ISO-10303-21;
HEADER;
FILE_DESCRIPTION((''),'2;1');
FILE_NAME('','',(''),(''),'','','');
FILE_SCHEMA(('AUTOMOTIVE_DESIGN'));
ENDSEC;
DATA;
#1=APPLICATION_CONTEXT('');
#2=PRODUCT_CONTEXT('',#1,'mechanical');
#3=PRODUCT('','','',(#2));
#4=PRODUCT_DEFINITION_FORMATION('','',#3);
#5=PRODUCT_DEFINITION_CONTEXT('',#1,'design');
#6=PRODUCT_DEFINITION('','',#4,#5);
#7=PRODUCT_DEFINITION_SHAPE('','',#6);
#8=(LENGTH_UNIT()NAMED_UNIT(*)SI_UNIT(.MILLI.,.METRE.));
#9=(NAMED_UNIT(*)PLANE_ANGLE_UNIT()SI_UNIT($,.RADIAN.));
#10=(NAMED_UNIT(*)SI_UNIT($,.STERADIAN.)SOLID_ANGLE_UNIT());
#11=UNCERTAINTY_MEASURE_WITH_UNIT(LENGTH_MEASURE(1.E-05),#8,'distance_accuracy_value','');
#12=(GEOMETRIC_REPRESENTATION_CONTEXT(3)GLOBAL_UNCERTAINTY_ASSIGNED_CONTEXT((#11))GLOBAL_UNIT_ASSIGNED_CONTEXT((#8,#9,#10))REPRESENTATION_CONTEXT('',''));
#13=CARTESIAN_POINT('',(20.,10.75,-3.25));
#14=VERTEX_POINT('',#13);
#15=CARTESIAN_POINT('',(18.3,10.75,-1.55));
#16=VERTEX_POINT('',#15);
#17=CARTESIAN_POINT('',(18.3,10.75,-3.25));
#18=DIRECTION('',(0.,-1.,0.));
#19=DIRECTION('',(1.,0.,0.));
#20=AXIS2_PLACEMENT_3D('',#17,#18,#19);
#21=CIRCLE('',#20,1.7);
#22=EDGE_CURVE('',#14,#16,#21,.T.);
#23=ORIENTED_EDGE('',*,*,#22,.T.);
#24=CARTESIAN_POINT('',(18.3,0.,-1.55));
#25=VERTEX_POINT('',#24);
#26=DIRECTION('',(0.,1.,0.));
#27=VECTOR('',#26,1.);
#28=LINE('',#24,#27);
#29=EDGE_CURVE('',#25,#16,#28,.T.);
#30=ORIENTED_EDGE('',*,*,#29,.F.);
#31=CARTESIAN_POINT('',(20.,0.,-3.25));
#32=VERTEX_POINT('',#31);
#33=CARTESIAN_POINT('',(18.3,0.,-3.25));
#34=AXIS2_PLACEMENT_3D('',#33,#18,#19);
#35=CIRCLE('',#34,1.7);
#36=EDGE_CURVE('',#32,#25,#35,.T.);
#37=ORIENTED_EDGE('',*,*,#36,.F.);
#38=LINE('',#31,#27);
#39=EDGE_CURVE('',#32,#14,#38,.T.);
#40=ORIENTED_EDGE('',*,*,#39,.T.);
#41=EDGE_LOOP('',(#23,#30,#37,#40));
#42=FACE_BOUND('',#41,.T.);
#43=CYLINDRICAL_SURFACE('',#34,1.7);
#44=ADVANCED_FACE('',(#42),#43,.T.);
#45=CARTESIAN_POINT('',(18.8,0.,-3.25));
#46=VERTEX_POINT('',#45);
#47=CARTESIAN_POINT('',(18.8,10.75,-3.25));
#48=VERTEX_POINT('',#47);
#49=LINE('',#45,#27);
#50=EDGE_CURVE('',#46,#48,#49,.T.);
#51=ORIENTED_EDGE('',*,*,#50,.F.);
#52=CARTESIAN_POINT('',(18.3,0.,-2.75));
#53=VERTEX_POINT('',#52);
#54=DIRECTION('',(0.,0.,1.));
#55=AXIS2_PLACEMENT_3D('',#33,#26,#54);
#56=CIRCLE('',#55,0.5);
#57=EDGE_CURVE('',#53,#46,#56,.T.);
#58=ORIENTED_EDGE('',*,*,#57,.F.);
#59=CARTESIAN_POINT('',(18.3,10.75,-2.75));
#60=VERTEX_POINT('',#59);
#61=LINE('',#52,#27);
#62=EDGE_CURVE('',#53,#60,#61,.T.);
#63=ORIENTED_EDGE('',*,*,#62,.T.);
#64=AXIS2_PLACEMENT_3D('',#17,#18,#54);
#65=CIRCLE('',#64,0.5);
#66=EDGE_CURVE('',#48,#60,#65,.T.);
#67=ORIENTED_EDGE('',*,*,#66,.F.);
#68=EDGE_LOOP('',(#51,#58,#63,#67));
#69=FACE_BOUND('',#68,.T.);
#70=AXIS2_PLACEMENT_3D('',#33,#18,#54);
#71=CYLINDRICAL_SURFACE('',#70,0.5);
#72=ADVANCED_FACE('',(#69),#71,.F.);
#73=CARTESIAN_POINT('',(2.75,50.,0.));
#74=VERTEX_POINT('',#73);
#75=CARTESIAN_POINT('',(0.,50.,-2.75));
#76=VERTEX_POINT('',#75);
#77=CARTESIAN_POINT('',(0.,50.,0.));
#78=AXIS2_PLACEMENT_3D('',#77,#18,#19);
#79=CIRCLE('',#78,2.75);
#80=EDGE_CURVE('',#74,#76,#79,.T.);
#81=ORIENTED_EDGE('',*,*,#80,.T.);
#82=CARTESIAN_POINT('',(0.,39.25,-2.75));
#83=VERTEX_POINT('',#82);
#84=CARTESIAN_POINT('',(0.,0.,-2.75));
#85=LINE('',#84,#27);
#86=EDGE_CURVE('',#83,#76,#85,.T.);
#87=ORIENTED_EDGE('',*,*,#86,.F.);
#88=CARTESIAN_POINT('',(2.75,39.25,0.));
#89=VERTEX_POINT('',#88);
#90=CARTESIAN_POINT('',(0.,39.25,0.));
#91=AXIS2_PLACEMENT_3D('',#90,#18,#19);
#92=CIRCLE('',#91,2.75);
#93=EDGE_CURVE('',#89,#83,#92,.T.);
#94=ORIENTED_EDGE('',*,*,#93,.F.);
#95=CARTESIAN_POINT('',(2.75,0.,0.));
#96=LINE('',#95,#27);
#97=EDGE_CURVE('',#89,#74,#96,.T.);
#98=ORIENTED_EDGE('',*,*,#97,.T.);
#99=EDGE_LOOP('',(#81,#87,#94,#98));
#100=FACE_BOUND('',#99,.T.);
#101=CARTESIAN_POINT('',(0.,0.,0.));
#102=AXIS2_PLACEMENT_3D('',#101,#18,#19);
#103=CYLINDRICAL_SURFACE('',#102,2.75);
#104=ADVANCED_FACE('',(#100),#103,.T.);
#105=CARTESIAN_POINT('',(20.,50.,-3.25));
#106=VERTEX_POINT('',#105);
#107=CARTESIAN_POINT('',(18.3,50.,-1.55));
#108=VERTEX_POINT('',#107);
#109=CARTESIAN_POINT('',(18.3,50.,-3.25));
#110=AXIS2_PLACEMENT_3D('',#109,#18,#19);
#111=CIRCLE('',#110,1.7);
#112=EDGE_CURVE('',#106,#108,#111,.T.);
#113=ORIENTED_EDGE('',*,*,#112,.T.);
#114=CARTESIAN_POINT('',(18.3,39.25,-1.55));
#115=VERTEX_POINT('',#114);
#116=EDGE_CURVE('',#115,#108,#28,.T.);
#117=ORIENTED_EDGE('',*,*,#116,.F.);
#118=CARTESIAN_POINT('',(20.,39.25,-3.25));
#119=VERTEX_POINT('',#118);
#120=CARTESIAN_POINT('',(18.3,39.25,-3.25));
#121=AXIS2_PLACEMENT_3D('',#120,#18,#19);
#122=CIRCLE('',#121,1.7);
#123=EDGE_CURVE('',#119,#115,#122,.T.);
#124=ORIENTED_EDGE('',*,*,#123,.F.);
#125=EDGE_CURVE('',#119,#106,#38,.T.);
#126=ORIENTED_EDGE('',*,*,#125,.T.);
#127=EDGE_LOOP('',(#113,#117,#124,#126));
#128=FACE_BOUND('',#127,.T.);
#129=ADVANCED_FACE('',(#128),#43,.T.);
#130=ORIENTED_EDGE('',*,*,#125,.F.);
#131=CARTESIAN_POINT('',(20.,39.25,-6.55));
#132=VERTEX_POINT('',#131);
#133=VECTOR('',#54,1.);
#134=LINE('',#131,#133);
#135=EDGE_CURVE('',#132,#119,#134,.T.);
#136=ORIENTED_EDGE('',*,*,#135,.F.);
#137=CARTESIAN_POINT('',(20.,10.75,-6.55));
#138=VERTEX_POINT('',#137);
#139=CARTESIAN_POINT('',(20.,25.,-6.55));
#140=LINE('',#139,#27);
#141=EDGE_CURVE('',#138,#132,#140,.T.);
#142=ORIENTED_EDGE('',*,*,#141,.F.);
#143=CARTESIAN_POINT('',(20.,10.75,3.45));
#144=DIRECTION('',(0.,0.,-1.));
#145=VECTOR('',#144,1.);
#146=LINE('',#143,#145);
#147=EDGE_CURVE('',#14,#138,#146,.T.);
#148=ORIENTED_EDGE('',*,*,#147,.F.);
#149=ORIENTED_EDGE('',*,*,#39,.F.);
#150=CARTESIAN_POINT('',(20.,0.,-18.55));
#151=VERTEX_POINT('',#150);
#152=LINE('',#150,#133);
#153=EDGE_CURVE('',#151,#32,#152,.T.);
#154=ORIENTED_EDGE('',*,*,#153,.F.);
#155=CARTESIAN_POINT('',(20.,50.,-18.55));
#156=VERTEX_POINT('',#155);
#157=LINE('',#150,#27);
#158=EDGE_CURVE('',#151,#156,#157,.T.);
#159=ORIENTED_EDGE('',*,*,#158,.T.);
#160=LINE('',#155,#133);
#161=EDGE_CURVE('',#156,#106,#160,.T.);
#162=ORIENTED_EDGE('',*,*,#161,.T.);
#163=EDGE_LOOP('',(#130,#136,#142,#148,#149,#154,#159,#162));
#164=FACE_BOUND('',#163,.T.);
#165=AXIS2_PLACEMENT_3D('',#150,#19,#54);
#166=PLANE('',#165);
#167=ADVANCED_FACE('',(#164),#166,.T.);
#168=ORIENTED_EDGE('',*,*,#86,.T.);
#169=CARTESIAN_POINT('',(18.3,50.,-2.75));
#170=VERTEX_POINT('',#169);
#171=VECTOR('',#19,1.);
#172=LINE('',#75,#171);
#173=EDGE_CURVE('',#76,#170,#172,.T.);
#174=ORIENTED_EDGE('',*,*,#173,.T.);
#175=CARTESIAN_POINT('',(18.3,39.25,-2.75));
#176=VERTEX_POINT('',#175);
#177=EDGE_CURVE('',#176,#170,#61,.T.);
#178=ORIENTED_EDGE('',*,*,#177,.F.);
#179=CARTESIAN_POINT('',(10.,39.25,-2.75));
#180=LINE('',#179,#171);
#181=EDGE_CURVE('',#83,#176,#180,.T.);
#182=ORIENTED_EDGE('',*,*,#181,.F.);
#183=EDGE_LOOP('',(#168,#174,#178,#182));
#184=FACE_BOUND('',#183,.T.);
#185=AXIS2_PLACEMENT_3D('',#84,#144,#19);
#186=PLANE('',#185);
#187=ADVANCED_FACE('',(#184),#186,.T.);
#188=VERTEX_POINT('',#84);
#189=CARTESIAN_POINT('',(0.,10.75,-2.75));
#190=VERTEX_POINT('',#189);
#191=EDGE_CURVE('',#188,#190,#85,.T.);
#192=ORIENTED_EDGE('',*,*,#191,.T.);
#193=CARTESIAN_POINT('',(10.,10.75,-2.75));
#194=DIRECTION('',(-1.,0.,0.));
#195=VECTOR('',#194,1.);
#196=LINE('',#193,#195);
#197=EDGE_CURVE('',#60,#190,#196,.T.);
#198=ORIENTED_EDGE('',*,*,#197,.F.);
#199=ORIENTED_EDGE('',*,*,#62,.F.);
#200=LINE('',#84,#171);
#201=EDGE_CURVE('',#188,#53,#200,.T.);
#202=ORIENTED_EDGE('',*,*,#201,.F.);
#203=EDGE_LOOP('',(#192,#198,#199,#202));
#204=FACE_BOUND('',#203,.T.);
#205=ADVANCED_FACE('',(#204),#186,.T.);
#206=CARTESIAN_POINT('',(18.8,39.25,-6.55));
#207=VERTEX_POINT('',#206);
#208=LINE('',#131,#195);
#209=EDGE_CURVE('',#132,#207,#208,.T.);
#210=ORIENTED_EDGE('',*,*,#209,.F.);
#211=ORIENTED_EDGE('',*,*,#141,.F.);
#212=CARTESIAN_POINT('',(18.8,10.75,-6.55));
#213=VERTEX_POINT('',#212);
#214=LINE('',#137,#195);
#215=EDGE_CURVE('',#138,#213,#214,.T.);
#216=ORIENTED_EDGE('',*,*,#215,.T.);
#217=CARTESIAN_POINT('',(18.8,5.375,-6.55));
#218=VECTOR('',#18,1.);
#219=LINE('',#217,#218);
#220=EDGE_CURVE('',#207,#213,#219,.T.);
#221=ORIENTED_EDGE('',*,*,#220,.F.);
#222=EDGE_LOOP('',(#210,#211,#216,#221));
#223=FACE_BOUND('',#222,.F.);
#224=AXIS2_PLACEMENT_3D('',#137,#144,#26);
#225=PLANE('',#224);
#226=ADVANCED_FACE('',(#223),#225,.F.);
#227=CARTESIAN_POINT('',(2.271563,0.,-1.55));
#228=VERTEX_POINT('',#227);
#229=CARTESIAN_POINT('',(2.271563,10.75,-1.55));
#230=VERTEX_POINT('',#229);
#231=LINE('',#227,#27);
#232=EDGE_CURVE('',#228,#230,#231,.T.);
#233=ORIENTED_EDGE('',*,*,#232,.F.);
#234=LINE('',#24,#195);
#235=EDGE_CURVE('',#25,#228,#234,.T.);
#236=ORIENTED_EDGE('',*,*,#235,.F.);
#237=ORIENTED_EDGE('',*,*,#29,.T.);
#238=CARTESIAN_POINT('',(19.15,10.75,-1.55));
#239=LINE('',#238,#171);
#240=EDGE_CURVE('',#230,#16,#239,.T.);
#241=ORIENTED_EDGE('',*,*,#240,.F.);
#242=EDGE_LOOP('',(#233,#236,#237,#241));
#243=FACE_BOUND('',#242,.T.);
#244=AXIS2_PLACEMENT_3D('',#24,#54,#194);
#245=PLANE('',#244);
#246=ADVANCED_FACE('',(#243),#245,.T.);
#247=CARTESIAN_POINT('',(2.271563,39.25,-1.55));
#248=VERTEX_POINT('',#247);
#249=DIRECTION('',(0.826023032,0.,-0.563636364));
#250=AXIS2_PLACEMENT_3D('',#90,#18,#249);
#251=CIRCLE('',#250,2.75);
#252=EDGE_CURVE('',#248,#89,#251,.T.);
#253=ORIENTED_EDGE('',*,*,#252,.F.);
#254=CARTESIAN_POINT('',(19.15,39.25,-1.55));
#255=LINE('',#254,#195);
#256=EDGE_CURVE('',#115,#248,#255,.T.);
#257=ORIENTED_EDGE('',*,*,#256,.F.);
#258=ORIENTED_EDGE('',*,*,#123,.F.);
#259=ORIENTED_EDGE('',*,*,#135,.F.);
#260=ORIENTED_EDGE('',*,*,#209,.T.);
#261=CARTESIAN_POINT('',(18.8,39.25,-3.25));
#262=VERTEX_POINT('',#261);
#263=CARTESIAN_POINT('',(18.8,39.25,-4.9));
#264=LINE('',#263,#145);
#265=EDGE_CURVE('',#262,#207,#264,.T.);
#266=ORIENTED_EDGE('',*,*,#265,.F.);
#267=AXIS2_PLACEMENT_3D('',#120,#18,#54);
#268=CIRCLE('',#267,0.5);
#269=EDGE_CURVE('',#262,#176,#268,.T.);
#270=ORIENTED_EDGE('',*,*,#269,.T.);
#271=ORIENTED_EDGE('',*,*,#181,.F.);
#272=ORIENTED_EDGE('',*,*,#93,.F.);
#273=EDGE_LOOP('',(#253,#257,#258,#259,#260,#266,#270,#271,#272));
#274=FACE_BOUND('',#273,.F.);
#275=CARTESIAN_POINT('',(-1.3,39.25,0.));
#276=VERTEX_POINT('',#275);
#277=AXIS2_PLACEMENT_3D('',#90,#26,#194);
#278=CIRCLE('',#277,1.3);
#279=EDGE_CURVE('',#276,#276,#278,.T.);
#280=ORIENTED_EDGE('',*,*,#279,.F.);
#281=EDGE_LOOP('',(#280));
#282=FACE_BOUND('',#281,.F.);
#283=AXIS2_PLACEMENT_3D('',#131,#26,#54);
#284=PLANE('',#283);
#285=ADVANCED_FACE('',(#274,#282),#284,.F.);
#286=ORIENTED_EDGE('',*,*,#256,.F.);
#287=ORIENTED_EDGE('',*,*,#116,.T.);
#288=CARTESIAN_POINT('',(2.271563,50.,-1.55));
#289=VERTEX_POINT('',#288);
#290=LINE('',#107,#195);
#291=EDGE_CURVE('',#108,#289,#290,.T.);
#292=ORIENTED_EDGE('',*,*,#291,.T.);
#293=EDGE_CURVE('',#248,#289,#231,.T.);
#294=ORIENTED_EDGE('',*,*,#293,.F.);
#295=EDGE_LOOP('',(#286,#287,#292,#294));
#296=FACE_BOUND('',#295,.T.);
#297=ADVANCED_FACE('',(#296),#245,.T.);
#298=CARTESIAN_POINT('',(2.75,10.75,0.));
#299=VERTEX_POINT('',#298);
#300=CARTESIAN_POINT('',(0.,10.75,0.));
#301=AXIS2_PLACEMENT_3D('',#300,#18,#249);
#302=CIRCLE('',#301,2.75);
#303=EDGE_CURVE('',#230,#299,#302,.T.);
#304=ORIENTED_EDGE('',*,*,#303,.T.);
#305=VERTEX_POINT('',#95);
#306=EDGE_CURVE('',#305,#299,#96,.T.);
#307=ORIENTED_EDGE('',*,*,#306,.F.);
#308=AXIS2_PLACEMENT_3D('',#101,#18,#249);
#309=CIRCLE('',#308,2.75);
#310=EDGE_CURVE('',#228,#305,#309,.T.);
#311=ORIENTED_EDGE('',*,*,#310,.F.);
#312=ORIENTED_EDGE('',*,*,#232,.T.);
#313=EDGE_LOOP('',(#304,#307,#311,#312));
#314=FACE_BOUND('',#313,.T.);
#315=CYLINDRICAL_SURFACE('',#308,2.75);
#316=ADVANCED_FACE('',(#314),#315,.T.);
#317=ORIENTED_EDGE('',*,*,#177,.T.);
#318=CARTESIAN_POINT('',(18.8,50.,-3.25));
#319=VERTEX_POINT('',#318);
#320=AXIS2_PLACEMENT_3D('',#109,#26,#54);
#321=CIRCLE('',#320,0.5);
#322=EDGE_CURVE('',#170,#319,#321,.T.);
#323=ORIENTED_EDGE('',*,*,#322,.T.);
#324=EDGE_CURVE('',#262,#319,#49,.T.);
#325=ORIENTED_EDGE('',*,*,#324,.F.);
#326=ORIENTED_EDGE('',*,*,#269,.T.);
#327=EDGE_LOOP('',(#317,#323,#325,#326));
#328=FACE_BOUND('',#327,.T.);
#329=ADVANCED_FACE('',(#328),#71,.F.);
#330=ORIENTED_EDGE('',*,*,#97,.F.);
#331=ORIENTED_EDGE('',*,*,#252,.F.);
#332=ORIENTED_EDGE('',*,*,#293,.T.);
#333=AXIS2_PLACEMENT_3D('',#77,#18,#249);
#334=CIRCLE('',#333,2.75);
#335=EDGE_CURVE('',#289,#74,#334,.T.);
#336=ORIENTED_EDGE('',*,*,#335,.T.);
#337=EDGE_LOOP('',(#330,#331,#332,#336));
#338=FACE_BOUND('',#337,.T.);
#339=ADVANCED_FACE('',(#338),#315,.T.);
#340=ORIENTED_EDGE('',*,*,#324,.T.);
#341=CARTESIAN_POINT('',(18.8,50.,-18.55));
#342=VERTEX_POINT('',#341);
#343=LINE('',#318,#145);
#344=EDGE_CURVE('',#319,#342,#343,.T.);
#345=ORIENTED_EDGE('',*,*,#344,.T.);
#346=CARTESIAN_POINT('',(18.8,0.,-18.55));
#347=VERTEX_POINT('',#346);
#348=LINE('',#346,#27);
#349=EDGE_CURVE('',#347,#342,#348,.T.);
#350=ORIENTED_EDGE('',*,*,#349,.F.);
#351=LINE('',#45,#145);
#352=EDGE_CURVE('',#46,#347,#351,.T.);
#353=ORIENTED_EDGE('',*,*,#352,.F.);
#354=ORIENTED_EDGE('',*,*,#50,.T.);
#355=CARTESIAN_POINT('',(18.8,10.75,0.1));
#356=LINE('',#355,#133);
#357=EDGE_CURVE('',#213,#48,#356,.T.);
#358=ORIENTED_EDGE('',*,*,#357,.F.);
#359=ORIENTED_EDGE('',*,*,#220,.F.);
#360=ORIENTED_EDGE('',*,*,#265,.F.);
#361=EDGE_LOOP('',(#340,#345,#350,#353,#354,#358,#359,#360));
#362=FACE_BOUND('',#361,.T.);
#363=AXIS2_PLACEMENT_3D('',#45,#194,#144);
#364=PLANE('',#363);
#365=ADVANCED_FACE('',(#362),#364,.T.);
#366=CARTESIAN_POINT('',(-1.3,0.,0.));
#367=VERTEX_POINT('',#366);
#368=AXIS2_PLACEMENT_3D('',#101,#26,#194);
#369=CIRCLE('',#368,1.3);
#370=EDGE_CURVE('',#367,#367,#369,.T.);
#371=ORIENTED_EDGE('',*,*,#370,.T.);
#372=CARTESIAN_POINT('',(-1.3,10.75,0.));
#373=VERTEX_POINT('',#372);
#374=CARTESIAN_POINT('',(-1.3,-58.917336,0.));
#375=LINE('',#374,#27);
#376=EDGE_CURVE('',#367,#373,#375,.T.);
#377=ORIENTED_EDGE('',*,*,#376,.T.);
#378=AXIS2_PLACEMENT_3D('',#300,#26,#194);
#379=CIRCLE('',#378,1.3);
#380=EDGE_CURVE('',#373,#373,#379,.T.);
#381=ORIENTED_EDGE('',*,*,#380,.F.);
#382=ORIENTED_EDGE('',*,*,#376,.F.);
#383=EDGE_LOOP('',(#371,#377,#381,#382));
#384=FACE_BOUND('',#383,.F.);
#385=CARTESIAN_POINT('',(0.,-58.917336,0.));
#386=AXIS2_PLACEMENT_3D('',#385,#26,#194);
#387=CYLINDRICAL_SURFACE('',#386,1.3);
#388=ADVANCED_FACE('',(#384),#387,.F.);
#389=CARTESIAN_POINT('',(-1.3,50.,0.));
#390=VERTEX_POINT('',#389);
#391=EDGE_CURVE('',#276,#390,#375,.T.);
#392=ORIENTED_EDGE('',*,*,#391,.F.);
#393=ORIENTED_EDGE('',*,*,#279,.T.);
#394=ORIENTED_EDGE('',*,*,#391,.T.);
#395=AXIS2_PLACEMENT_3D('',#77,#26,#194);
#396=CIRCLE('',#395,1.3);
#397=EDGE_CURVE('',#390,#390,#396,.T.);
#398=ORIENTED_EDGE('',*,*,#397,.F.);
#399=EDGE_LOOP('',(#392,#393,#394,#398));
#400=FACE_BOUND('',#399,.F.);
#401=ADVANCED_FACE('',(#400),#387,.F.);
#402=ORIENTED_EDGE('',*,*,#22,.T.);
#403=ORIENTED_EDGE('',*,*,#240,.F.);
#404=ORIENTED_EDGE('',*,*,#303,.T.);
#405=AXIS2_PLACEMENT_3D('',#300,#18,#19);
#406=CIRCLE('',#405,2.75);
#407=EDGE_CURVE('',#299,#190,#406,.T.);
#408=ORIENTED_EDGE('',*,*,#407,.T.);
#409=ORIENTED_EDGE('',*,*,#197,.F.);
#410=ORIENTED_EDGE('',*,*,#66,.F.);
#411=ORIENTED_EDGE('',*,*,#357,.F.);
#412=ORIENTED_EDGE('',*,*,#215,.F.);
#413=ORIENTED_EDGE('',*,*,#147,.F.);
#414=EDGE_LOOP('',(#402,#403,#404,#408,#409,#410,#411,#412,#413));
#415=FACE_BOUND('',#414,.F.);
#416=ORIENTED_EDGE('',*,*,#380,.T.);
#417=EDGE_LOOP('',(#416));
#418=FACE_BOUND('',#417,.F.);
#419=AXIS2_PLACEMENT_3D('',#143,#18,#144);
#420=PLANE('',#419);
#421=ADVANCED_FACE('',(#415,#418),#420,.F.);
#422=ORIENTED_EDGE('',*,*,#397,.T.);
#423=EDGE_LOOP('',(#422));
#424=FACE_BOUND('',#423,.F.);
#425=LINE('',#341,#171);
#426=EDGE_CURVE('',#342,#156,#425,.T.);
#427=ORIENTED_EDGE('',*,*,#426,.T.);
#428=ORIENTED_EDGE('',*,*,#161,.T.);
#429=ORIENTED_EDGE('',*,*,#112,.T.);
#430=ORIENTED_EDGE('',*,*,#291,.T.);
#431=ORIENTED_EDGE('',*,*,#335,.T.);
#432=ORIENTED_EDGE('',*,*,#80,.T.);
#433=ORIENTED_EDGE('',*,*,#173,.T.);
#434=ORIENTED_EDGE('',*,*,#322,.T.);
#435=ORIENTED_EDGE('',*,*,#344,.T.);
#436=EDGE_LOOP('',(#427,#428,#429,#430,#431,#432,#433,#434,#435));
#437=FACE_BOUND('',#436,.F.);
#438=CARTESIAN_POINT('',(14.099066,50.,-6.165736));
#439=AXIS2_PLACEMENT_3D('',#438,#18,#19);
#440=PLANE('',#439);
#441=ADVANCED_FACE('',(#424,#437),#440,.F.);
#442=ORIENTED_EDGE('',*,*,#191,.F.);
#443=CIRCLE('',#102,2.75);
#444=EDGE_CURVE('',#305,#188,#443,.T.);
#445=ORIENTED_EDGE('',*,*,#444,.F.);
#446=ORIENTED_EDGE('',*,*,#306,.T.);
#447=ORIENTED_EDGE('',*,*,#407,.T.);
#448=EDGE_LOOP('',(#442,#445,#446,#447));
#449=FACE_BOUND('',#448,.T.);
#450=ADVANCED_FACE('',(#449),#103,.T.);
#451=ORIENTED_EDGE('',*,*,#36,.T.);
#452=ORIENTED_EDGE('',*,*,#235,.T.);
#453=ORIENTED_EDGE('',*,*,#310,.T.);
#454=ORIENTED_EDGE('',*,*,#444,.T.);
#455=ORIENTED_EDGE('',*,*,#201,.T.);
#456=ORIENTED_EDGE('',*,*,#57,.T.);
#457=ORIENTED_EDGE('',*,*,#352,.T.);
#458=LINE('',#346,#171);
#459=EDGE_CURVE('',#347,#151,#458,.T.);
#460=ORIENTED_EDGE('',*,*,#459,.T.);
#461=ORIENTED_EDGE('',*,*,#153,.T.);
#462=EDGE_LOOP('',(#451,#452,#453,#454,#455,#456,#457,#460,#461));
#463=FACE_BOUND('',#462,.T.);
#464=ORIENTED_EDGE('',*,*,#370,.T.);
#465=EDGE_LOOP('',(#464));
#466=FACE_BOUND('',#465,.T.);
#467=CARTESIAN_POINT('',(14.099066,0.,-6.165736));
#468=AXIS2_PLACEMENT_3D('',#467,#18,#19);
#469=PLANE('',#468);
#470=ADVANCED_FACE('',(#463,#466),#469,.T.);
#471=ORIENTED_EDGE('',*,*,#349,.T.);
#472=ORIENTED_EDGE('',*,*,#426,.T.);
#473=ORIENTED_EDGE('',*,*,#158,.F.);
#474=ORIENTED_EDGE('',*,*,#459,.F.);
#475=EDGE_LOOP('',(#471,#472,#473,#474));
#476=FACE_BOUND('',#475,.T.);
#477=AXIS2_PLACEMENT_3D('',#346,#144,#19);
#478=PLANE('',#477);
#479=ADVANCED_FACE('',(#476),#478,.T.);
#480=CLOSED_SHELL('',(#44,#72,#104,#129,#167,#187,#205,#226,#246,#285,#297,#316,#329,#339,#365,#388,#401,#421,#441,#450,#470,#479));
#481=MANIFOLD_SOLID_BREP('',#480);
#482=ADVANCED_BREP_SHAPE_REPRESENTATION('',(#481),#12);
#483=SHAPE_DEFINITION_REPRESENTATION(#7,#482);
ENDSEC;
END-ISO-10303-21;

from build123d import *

# Parameters (mm, degrees)
F1_DEPTH = 50
F2_D     = 2.6
F3_W     = 28.5
F3_H     = 6.7
F3_H_2   = 3.3
F4_DEPTH = 25


with BuildPart() as f1:
    # F0 (on Front) → F1 (new body)
    with BuildSketch(Plane.XZ):
        with BuildLine():
            ThreePointArc((2.2715633383, -1.55), (1.2845232579, -2.4315632832), (0, -2.75))
            Line((0, -2.75), (18.3, -2.75))
            ThreePointArc((18.3, -2.75), (18.6535533906, -2.8964466094), (18.8, -3.25))
            Line((18.8, -3.25), (18.8, -18.55))
            Line((18.8, -18.55), (20, -18.55))
            Line((20, -18.55), (20, -3.25))
            ThreePointArc((20, -3.25), (19.502081528, -2.047918472), (18.3, -1.55))
            Line((18.3, -1.55), (2.2715633383, -1.55))
        make_face()
        with BuildLine():
            ThreePointArc((2.2715633383, -1.55), (2.6276699926, -0.8110797802), (2.75, 0))
            ThreePointArc((2.75, 0), (-1.9445436483, 1.9445436483), (0, -2.75))
            ThreePointArc((0, -2.75), (1.2845232579, -2.4315632832), (2.2715633383, -1.55))
        make_face()
    extrude(amount=-F1_DEPTH)

    # F2 (through all)
    with Locations(Plane.XZ):
        with Locations((0, 0)):
            Hole(F2_D / 2)

    # F3 (on face) → F4 (cut)
    with BuildSketch(Plane.YZ.offset(20)):
        with Locations((25, 0.1)):
            Rectangle(F3_W, F3_H)
        with Locations((25, -4.9)):
            Rectangle(F3_W, F3_H_2)
    extrude(amount=-F4_DEPTH, mode=Mode.SUBTRACT)


solid = f1.part
